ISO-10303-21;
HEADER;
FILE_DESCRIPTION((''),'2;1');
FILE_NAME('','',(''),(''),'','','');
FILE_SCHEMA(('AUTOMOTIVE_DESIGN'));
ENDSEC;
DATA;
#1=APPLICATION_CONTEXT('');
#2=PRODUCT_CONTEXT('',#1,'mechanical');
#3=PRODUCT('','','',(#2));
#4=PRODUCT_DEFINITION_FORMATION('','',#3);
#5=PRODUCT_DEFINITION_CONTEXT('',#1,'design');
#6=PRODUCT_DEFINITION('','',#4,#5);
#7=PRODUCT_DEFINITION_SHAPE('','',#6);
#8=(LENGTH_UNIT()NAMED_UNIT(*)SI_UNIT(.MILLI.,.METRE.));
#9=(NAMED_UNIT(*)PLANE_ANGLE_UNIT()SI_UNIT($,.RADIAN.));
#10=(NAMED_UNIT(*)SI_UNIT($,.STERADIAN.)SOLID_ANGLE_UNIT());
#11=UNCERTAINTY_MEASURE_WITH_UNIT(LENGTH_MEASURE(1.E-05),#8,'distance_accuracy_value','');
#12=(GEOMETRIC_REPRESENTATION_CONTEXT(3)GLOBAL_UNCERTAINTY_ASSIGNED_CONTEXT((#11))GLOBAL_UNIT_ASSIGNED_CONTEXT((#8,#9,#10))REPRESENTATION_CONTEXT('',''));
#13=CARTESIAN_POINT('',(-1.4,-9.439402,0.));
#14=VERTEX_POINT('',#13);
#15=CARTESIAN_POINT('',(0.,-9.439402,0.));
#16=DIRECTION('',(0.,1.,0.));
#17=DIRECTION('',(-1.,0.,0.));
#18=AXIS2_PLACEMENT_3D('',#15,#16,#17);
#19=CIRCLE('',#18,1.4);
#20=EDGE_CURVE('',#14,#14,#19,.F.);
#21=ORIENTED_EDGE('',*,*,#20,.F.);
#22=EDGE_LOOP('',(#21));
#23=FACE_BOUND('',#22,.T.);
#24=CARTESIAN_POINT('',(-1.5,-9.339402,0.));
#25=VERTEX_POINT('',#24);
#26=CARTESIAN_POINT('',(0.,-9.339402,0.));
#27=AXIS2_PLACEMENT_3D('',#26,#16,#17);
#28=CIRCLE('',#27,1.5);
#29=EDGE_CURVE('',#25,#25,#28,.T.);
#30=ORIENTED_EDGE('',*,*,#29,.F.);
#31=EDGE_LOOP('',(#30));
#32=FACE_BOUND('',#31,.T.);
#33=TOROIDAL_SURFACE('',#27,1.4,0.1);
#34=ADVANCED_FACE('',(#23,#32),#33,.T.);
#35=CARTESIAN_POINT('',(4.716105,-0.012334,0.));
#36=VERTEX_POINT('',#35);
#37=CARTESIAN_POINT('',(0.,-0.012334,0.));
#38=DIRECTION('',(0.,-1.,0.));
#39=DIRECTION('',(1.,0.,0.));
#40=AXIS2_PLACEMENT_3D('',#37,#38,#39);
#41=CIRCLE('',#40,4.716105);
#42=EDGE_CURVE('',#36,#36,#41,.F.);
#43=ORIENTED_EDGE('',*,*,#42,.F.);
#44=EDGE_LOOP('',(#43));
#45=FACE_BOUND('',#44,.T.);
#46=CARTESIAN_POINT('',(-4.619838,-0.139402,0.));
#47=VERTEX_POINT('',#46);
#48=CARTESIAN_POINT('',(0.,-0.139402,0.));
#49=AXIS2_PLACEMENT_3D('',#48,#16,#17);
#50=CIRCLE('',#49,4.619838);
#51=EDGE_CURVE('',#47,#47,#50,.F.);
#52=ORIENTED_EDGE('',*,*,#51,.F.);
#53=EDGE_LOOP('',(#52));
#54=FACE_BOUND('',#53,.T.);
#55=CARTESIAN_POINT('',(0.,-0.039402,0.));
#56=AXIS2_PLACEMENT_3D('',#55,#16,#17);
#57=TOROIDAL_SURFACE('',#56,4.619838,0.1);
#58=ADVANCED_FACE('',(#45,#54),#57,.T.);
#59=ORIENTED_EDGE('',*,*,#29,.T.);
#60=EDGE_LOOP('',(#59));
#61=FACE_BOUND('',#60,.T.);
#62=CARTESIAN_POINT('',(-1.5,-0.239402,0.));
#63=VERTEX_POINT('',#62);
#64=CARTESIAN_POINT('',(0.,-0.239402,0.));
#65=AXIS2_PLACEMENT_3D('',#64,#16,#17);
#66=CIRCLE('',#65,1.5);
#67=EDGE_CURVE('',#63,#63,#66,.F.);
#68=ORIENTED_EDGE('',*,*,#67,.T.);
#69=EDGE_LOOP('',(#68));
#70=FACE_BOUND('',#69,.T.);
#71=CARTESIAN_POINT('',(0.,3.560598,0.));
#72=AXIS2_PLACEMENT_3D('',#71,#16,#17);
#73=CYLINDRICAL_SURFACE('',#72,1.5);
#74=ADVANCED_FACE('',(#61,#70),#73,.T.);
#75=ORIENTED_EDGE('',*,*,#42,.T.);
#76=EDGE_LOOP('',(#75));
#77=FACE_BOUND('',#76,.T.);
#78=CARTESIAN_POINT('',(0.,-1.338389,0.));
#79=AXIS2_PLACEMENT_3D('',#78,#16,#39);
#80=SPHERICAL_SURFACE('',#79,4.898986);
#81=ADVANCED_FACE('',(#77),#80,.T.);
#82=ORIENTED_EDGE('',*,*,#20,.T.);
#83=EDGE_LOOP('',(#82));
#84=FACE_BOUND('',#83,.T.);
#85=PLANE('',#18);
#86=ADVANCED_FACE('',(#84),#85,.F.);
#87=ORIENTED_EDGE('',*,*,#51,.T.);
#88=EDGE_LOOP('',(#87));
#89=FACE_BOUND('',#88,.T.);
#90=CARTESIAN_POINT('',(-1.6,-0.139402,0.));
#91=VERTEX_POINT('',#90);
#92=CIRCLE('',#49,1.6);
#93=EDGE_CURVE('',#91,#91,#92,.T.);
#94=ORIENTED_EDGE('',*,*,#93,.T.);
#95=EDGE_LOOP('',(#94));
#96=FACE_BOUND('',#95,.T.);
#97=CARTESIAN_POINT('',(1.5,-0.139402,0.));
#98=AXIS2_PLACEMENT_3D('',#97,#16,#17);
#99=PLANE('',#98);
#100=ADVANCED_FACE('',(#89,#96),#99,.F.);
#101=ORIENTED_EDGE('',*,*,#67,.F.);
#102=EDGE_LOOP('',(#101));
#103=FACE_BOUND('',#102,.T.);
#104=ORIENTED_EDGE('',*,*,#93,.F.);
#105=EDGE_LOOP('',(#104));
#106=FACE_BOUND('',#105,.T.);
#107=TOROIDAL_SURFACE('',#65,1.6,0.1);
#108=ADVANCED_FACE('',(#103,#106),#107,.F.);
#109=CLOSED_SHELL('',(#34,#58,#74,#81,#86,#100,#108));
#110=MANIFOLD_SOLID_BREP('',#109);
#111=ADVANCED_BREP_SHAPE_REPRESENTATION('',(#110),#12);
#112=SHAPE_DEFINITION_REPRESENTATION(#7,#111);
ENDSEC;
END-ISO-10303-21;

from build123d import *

# Parameters (mm, degrees)
FILLET2_R = 0.1


with BuildPart() as part:
    # Sketch1 → Revolve1 (revolve)
    with BuildSketch(Plane.XY):
        with BuildLine():
            Line((0, 3.560597848), (0, -9.439402152))
            Line((0, -9.439402152), (1.5, -9.439402152))
            Line((1.5, -9.439402152), (1.5, -0.139402152))
            Line((1.5, -0.139402152), (4.75, -0.139402152))
            ThreePointArc((4.75, -0.139402152), (3.01050245, 2.526445588), (0, 3.560597848))
        make_face()
    revolve(axis=Axis((0, 3.560597848, 0), (0, -1, 0)))

    # Fillet2
    fillet2_edges = [part.edges().sort_by_distance(p)[0] for p in [
        (-1.5, -9.439402152, 0),
        (-1.5, -0.139402152, 0),
        (-4.75, -0.139402152, 0),
    ]]
    fillet(fillet2_edges, radius=FILLET2_R)


solid = part.part
